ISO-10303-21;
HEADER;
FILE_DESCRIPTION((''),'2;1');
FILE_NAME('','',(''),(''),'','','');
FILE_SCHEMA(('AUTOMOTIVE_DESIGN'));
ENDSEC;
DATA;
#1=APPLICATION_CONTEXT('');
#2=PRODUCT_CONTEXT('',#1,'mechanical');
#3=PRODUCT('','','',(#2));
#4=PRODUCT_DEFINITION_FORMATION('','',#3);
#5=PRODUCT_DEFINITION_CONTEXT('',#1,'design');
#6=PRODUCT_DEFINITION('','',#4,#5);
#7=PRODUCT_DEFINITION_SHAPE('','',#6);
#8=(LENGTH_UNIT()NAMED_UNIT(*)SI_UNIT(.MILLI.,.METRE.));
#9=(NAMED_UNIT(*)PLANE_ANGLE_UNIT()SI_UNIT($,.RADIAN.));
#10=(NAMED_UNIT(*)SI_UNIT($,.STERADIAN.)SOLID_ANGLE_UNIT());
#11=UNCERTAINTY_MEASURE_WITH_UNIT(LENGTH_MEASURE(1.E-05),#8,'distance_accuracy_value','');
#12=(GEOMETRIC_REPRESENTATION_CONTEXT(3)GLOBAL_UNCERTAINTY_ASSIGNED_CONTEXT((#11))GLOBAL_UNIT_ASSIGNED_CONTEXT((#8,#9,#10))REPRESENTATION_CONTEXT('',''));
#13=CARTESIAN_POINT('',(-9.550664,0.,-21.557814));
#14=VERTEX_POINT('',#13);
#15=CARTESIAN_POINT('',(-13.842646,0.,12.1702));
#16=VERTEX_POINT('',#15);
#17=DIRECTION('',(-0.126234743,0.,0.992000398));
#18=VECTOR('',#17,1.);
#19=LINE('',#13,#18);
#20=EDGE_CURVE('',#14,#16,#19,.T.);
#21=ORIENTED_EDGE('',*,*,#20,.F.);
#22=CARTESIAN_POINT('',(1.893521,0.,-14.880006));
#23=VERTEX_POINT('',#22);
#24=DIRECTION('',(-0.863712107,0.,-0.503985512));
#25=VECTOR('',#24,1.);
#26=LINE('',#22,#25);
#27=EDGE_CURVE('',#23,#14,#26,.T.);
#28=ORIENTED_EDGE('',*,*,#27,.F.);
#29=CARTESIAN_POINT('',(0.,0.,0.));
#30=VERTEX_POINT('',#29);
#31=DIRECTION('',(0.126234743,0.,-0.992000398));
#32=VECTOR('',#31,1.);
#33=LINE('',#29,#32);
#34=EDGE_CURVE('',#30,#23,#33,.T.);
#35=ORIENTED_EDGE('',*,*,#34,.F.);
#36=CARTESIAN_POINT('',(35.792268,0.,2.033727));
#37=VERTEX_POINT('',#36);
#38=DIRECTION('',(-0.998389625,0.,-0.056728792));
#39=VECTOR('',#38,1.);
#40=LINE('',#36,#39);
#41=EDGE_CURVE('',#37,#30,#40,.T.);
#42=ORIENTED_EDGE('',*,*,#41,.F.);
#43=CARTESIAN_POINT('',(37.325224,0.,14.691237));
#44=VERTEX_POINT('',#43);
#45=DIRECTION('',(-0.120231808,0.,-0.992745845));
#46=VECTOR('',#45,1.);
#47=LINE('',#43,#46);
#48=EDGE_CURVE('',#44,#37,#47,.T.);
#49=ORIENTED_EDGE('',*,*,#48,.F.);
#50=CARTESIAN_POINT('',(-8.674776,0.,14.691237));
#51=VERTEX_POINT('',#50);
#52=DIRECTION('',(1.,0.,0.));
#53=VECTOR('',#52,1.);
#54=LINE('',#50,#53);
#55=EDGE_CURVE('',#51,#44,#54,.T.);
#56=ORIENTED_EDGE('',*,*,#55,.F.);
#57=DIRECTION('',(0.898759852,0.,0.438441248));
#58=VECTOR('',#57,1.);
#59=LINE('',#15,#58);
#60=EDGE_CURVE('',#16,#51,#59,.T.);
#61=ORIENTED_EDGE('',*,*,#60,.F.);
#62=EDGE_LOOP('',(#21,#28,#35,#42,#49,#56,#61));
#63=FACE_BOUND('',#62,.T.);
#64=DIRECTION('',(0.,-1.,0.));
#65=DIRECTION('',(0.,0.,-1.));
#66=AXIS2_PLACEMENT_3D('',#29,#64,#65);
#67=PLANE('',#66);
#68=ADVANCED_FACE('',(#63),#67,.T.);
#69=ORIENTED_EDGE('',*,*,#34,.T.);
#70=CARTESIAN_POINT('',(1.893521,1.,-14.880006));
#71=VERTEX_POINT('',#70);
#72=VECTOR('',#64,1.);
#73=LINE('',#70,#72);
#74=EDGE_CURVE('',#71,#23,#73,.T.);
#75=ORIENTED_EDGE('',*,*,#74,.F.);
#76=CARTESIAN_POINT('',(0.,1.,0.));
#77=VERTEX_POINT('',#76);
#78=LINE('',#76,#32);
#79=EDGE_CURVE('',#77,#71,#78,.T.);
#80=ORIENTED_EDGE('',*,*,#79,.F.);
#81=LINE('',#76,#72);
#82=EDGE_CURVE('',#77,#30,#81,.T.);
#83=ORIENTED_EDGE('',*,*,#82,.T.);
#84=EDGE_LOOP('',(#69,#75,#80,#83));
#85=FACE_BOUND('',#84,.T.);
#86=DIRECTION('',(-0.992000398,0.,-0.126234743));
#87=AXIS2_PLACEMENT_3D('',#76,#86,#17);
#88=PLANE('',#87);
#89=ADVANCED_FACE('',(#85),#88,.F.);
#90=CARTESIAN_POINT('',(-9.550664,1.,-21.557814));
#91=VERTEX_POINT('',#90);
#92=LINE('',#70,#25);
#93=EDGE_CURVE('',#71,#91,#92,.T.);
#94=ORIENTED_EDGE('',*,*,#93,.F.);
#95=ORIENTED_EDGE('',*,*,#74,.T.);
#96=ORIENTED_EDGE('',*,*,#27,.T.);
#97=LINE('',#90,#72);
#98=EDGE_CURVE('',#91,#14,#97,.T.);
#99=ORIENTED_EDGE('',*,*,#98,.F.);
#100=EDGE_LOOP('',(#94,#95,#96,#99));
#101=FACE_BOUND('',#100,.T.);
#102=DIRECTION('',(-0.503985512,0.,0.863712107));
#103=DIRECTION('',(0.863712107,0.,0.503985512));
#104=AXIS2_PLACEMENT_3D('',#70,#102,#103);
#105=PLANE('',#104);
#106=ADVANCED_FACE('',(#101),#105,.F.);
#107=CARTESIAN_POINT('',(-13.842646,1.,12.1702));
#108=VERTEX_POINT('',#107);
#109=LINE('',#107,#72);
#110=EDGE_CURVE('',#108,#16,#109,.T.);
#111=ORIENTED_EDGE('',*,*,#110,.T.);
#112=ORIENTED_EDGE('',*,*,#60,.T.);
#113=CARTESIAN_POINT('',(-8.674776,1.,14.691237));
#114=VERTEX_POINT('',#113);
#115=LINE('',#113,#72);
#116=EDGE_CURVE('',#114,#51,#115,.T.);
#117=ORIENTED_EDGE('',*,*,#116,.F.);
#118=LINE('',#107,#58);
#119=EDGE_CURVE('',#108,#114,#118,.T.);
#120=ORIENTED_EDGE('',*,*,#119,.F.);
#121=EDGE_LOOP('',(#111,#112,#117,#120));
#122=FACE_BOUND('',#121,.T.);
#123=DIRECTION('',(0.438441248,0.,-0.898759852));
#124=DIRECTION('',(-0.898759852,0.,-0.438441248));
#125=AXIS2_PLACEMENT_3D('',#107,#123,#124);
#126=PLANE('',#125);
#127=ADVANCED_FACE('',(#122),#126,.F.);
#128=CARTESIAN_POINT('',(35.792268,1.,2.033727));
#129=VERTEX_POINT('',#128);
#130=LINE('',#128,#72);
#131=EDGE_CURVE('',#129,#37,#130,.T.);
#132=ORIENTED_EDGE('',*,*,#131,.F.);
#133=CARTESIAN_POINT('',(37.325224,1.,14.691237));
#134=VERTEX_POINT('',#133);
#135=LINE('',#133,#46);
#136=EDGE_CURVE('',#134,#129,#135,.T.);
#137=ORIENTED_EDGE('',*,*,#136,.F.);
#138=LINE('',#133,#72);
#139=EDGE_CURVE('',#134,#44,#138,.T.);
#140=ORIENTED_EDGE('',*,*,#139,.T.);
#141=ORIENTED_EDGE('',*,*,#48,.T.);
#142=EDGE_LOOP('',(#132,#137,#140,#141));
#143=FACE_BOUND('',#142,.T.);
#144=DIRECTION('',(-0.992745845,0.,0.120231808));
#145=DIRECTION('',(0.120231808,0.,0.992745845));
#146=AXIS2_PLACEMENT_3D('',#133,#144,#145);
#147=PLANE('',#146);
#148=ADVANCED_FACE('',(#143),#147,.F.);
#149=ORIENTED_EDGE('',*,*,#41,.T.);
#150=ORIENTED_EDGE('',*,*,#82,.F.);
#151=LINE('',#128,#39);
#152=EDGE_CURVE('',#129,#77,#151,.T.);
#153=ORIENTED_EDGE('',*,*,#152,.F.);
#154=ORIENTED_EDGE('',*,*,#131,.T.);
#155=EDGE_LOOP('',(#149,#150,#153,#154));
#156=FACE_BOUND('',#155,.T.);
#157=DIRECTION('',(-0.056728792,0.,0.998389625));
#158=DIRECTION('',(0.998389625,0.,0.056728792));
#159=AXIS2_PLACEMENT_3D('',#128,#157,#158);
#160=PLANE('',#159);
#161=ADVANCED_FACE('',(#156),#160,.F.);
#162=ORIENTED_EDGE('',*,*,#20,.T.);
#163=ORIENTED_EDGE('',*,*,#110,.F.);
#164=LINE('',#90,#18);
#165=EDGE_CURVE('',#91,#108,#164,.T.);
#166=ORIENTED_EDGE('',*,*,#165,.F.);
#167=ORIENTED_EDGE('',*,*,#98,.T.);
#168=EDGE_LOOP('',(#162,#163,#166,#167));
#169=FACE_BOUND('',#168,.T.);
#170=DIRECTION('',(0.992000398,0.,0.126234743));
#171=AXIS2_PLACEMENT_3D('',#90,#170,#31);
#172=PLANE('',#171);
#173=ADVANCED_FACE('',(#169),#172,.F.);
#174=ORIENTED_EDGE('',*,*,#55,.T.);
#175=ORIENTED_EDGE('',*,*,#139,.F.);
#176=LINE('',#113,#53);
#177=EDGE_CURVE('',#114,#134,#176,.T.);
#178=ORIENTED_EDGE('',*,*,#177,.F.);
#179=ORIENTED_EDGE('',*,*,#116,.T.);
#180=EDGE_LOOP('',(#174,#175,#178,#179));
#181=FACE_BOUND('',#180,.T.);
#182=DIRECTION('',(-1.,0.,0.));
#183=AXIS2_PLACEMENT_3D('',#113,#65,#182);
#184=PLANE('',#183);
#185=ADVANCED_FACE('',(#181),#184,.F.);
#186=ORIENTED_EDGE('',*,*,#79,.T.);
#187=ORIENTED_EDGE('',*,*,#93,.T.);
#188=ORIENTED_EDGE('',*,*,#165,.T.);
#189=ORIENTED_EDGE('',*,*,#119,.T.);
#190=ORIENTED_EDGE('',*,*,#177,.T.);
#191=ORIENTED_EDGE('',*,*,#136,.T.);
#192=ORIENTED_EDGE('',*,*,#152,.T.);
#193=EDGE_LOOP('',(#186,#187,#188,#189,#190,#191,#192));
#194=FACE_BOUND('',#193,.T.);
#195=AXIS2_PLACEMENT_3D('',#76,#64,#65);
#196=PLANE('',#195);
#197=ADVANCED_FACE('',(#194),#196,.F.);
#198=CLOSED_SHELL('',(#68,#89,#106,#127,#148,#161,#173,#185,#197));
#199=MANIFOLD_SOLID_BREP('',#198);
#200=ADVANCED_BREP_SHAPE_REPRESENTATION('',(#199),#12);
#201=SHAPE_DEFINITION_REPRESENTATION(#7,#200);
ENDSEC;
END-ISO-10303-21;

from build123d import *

# Parameters (mm, degrees)
BOSS_EXTRUDE1_DEPTH = 1


with BuildPart() as part:
    # Sketch1 → Boss-Extrude1 (new body)
    with BuildSketch(Plane(origin=(0, 0, 0), x_dir=(1, 0, 0), z_dir=(0, 1, 0))):
        Polygon((0, 0), (1.893521143, 14.880005971), (-9.550664273, 21.557814007), (-13.84264553, -12.170199526), (-8.674776379, -14.691236702), (37.325223621, -14.691236702), (35.792268072, -2.03372718), align=None)
    extrude(amount=BOSS_EXTRUDE1_DEPTH)


solid = part.part
